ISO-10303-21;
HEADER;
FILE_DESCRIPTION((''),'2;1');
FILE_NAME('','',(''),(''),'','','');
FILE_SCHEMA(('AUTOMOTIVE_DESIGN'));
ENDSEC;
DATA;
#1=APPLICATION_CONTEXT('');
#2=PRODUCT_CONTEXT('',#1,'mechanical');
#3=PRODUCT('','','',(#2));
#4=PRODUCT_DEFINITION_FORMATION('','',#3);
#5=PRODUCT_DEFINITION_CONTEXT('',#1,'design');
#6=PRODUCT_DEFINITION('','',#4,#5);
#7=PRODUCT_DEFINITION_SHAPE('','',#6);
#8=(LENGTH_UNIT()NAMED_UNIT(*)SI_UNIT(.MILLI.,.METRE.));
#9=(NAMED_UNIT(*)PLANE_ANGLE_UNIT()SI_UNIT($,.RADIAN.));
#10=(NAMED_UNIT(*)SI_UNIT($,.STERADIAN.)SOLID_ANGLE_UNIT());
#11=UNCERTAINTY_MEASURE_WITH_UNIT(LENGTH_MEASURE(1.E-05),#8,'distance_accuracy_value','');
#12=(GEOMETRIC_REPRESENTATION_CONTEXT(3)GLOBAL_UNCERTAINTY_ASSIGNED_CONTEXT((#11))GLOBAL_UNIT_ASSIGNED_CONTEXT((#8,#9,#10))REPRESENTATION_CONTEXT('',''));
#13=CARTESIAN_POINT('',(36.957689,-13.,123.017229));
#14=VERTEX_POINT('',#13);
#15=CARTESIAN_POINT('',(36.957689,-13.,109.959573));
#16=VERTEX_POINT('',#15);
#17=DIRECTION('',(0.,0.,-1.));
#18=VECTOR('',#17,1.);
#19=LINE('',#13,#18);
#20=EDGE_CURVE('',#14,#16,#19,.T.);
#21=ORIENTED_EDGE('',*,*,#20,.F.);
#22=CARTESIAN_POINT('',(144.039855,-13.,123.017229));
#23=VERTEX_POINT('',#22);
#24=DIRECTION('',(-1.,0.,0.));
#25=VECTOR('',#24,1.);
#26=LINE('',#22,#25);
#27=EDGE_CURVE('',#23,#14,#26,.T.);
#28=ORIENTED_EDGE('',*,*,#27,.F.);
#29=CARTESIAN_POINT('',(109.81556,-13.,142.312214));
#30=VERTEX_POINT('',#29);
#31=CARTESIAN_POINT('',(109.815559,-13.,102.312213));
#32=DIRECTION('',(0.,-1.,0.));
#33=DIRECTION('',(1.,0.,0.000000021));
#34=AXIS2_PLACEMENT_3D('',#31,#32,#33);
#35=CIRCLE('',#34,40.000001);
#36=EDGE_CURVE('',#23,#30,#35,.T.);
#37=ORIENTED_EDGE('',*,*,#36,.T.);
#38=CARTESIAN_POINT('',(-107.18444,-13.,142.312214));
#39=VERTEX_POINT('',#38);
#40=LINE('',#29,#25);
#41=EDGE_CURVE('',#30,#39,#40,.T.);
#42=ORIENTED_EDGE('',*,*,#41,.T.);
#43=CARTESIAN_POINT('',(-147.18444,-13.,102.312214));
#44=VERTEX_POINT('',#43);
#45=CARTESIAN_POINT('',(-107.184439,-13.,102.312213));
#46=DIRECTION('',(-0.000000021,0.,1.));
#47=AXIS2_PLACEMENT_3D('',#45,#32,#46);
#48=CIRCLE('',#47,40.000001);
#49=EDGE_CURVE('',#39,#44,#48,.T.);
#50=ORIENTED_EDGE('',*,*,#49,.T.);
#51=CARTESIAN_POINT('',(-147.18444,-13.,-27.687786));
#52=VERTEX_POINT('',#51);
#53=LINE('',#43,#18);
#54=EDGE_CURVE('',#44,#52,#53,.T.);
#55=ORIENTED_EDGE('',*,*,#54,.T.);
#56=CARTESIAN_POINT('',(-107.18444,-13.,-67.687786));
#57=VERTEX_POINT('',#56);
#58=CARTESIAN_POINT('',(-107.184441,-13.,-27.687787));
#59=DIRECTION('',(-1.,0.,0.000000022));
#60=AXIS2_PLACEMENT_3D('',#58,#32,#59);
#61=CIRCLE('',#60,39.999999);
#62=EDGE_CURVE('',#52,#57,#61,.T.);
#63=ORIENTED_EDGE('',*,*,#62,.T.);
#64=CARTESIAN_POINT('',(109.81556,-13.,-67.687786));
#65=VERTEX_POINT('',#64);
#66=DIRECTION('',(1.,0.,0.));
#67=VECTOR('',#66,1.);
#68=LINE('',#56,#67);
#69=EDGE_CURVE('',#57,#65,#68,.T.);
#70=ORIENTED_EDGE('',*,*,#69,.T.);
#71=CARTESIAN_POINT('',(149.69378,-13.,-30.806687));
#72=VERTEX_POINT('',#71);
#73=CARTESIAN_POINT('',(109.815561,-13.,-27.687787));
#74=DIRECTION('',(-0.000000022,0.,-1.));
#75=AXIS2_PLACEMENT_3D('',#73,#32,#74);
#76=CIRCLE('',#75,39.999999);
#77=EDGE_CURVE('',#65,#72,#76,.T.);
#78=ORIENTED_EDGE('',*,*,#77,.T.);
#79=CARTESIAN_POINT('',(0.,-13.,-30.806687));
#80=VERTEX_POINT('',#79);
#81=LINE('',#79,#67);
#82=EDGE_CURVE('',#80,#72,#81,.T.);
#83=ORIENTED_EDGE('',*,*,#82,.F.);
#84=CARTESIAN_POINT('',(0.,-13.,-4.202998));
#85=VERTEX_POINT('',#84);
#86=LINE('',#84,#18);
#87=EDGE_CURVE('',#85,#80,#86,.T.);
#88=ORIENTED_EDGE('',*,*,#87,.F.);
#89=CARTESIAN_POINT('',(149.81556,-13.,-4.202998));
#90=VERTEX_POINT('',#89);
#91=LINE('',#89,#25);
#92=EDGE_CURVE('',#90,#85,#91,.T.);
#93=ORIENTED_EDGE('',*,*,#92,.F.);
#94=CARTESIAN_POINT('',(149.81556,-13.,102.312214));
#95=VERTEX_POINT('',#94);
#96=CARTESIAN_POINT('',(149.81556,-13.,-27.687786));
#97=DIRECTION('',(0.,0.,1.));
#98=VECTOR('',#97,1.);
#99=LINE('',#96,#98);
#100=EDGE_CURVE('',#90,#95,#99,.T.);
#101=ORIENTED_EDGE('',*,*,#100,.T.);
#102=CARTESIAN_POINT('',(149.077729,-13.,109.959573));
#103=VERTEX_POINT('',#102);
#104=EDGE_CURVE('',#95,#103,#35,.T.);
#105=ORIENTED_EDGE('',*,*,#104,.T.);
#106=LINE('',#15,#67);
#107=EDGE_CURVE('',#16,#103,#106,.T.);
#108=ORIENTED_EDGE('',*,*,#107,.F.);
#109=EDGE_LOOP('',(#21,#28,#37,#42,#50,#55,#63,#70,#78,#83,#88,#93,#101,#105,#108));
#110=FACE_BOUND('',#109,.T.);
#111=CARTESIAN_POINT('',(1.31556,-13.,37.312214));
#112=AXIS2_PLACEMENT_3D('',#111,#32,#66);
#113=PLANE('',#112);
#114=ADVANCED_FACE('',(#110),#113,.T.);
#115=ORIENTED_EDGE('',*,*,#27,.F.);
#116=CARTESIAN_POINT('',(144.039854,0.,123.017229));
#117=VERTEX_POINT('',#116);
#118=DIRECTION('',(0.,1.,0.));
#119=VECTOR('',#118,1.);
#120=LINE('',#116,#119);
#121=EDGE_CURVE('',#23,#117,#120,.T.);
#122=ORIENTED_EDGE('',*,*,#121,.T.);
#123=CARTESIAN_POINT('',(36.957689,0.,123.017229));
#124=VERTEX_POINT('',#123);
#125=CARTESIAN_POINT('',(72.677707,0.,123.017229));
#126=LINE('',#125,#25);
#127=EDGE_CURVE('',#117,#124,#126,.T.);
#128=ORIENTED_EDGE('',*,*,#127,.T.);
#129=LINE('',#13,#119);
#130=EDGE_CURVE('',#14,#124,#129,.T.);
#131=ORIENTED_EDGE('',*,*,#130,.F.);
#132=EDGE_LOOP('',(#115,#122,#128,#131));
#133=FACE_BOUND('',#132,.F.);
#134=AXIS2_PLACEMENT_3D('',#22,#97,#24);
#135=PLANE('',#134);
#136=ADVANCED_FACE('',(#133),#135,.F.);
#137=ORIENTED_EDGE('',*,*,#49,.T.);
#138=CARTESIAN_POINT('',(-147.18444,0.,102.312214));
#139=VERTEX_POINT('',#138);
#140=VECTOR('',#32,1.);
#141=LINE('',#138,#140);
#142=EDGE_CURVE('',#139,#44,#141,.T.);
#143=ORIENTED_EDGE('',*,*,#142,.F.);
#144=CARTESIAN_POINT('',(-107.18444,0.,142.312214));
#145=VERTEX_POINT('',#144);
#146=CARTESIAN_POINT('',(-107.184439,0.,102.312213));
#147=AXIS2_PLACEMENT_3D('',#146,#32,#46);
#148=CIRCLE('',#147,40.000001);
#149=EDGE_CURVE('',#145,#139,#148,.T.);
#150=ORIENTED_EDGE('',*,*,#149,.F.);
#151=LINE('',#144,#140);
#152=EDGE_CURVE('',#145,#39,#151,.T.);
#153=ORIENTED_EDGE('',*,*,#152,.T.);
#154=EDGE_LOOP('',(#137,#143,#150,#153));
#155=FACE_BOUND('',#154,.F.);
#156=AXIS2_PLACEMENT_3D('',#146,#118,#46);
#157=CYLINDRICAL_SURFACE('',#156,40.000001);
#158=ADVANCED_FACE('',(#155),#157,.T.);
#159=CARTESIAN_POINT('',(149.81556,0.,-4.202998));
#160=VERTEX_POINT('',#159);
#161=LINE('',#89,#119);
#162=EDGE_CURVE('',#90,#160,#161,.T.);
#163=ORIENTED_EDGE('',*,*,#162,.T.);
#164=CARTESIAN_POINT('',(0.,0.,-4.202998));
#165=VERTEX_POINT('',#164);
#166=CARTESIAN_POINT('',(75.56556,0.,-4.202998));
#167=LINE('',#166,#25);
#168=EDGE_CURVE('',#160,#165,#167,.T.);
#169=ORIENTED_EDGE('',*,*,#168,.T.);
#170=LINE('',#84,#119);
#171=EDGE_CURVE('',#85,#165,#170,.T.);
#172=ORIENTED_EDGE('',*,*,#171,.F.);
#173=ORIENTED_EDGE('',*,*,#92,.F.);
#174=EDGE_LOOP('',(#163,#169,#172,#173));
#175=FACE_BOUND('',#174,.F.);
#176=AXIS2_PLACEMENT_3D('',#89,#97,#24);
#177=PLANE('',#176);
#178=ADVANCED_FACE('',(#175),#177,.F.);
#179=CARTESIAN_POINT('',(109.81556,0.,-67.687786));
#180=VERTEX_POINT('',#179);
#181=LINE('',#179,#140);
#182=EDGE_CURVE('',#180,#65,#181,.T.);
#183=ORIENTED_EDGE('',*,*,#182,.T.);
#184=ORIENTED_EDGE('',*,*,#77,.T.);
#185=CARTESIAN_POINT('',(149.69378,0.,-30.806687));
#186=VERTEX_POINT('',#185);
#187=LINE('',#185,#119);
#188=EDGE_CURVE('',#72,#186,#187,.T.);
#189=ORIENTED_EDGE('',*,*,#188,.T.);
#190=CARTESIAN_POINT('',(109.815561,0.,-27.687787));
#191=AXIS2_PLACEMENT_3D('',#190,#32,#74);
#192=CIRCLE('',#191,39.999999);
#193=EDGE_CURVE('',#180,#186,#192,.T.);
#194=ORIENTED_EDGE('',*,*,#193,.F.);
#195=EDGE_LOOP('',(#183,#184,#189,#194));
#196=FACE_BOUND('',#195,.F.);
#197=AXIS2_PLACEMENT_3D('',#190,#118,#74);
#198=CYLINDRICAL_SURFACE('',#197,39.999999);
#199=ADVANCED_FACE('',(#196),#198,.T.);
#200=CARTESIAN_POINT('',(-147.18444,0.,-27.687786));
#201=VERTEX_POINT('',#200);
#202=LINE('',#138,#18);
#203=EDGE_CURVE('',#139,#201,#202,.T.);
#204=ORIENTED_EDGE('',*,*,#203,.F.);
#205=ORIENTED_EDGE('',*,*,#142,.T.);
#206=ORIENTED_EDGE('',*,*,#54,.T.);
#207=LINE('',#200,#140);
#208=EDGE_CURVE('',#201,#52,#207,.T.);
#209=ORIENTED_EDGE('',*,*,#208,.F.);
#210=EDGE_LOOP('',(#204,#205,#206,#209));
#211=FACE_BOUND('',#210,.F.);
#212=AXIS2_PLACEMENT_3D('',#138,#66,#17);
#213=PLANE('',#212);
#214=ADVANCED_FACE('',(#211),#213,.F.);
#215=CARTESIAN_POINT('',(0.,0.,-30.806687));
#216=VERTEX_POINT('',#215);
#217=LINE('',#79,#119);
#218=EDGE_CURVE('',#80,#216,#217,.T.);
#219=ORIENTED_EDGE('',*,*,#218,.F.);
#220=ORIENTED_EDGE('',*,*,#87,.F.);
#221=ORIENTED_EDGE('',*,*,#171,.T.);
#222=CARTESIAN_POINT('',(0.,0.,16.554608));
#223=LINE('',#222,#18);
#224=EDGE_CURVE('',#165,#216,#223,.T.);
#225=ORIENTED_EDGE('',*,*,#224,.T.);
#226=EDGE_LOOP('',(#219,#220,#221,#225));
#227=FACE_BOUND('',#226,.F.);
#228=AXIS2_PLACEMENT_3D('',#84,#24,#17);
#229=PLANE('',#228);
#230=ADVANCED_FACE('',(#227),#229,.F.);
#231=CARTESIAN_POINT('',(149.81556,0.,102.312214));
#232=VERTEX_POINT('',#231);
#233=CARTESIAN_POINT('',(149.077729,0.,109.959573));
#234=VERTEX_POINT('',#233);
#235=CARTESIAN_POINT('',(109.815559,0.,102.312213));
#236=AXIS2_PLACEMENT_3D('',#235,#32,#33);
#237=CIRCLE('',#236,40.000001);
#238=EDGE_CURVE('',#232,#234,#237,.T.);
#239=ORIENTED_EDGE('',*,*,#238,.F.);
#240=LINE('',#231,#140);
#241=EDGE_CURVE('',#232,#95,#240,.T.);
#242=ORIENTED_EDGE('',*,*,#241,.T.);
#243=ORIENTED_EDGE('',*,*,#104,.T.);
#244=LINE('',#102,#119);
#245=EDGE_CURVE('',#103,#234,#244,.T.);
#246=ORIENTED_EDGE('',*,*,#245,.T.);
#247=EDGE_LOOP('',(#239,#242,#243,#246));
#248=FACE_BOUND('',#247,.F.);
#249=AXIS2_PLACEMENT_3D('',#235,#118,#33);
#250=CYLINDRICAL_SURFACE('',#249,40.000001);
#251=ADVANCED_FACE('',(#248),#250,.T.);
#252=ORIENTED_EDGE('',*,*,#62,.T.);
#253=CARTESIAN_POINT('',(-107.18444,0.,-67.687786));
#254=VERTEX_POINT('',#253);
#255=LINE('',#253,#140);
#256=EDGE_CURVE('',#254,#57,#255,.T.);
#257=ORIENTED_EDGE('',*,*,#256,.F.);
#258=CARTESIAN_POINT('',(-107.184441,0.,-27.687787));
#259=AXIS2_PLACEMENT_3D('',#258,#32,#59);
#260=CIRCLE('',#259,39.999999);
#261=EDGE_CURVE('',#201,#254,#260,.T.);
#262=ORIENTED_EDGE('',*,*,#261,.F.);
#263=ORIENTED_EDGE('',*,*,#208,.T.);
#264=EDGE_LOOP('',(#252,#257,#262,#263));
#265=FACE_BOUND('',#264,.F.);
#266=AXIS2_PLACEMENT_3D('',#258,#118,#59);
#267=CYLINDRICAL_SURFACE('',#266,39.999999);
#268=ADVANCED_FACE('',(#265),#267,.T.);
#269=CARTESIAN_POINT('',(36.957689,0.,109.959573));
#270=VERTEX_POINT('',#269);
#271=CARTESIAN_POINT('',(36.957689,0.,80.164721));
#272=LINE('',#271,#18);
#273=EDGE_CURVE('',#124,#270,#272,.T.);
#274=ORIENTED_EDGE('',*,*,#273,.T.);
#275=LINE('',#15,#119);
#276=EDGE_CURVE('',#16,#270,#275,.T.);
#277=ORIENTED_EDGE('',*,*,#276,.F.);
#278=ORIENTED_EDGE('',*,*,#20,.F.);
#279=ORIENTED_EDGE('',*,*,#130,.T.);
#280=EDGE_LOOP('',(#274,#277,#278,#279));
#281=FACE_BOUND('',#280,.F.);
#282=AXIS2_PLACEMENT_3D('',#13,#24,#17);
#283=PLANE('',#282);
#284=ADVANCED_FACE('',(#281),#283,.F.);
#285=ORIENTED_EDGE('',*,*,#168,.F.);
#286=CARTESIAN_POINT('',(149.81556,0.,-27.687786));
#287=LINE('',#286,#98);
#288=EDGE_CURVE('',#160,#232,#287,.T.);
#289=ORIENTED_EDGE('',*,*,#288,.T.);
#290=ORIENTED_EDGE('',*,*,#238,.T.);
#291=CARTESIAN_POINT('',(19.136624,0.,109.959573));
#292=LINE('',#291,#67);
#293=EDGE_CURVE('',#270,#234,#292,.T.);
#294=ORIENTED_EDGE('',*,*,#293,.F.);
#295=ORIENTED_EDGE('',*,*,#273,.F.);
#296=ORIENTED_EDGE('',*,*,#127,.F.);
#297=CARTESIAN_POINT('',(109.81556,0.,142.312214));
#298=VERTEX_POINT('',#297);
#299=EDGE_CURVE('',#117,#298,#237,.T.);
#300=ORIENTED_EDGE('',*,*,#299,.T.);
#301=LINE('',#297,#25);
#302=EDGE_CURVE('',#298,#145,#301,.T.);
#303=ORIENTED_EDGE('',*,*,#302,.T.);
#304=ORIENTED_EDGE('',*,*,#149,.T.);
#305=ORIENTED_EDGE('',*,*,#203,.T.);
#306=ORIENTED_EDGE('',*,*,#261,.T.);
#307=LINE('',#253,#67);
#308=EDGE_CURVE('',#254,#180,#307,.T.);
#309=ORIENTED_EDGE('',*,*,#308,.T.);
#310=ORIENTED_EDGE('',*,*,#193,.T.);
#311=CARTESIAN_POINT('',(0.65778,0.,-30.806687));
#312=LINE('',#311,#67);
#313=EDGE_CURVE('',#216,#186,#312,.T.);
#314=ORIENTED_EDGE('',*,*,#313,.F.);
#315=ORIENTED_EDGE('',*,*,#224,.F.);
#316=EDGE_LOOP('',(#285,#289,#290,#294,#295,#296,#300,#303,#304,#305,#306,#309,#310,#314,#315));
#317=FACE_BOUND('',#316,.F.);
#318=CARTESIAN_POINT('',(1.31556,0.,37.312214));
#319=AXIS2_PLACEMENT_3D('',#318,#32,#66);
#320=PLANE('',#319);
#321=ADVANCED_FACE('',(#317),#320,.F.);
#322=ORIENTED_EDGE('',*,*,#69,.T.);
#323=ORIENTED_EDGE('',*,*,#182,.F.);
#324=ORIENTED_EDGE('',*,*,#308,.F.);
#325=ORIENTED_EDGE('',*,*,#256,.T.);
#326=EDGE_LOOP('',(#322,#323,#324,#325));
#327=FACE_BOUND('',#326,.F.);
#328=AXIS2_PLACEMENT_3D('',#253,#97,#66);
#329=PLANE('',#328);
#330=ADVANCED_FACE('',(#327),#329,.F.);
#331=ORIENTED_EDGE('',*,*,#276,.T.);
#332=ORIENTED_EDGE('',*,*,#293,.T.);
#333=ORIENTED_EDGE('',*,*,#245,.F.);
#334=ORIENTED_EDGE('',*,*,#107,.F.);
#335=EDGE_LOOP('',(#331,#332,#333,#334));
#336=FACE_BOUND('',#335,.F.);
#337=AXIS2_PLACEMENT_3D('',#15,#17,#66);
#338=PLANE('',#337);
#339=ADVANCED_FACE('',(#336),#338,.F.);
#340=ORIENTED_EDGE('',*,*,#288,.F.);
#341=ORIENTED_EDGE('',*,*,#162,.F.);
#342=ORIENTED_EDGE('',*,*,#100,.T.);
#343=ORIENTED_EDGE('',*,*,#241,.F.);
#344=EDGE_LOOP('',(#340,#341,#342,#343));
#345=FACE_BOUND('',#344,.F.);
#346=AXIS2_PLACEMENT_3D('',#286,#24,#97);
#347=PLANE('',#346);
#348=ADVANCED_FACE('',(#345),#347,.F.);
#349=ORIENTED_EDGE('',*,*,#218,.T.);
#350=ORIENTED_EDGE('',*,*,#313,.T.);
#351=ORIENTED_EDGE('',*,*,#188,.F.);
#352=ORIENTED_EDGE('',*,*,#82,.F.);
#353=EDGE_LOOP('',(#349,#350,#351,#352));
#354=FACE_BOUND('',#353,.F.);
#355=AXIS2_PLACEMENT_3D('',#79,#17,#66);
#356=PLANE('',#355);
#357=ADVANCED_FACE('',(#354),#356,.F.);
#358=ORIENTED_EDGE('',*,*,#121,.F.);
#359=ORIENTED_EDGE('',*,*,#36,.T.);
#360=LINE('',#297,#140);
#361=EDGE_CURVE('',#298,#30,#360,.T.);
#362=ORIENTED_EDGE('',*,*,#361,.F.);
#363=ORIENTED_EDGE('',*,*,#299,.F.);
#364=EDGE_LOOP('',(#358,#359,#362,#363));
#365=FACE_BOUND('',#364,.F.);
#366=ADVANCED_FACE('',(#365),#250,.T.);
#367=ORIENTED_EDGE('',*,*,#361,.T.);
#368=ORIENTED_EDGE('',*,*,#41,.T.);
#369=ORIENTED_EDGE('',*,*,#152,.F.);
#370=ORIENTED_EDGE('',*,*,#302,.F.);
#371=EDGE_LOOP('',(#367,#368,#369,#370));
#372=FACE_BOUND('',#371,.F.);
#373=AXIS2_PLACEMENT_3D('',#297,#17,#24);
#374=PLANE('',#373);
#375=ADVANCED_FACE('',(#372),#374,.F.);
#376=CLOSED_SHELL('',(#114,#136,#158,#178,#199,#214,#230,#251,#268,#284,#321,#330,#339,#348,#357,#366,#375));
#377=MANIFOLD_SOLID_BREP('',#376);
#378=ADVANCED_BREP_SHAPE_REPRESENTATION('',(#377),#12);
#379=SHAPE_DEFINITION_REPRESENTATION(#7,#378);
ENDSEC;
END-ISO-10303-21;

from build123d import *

# Parameters (mm, degrees)
F1_DEPTH = 13
F3_DEPTH = 25
F5_DEPTH = 25


with BuildPart() as f1:
    # F0 (on Front) → F1 (new body)
    with BuildSketch(Plane.XZ):
        with BuildLine():
            Line((109.81556, 142.312214), (-107.18444, 142.312214))
            ThreePointArc((-107.18444, 142.312214), (-135.468711, 130.596485), (-147.18444, 102.312214))
            Line((-147.18444, 102.312214), (-147.18444, -27.687786))
            ThreePointArc((-147.18444, -27.687786), (-135.468711, -55.972058), (-107.18444, -67.687786))
            Line((-107.18444, -67.687786), (109.81556, -67.687786))
            ThreePointArc((109.81556, -67.687786), (138.099831, -55.972058), (149.81556, -27.687786))
            Line((149.81556, -27.687786), (149.81556, 102.312214))
            ThreePointArc((149.81556, 102.312214), (138.099831, 130.596485), (109.81556, 142.312214))
        make_face()
    extrude(amount=F1_DEPTH)

    # F2 (on face) → F3 (cut)
    with BuildSketch(Plane.XZ.offset(13)):
        with BuildLine():
            Line((149.81556, -27.687786), (149.81556, -4.202998))
            Line((149.81556, -4.202998), (0, -4.202998))
            Line((0, -4.202998), (0, -30.806687))
            Line((0, -30.806687), (149.693781, -30.806687))
            ThreePointArc((149.693781, -30.806687), (149.785104, -29.248425), (149.81556, -27.687786))
        make_face()
    extrude(amount=-F3_DEPTH, mode=Mode.SUBTRACT)

    # F4 (on face) → F5 (cut)
    with BuildSketch(Plane.XZ.offset(13)):
        with BuildLine():
            Line((36.957689, 109.959573), (149.077729, 109.959573))
            ThreePointArc((149.077729, 109.959573), (147.134331, 116.710454), (144.039855, 123.017229))
            Line((144.039855, 123.017229), (36.957689, 123.017229))
            Line((36.957689, 123.017229), (36.957689, 109.959573))
        make_face()
    extrude(amount=-F5_DEPTH, mode=Mode.SUBTRACT)


solid = f1.part
